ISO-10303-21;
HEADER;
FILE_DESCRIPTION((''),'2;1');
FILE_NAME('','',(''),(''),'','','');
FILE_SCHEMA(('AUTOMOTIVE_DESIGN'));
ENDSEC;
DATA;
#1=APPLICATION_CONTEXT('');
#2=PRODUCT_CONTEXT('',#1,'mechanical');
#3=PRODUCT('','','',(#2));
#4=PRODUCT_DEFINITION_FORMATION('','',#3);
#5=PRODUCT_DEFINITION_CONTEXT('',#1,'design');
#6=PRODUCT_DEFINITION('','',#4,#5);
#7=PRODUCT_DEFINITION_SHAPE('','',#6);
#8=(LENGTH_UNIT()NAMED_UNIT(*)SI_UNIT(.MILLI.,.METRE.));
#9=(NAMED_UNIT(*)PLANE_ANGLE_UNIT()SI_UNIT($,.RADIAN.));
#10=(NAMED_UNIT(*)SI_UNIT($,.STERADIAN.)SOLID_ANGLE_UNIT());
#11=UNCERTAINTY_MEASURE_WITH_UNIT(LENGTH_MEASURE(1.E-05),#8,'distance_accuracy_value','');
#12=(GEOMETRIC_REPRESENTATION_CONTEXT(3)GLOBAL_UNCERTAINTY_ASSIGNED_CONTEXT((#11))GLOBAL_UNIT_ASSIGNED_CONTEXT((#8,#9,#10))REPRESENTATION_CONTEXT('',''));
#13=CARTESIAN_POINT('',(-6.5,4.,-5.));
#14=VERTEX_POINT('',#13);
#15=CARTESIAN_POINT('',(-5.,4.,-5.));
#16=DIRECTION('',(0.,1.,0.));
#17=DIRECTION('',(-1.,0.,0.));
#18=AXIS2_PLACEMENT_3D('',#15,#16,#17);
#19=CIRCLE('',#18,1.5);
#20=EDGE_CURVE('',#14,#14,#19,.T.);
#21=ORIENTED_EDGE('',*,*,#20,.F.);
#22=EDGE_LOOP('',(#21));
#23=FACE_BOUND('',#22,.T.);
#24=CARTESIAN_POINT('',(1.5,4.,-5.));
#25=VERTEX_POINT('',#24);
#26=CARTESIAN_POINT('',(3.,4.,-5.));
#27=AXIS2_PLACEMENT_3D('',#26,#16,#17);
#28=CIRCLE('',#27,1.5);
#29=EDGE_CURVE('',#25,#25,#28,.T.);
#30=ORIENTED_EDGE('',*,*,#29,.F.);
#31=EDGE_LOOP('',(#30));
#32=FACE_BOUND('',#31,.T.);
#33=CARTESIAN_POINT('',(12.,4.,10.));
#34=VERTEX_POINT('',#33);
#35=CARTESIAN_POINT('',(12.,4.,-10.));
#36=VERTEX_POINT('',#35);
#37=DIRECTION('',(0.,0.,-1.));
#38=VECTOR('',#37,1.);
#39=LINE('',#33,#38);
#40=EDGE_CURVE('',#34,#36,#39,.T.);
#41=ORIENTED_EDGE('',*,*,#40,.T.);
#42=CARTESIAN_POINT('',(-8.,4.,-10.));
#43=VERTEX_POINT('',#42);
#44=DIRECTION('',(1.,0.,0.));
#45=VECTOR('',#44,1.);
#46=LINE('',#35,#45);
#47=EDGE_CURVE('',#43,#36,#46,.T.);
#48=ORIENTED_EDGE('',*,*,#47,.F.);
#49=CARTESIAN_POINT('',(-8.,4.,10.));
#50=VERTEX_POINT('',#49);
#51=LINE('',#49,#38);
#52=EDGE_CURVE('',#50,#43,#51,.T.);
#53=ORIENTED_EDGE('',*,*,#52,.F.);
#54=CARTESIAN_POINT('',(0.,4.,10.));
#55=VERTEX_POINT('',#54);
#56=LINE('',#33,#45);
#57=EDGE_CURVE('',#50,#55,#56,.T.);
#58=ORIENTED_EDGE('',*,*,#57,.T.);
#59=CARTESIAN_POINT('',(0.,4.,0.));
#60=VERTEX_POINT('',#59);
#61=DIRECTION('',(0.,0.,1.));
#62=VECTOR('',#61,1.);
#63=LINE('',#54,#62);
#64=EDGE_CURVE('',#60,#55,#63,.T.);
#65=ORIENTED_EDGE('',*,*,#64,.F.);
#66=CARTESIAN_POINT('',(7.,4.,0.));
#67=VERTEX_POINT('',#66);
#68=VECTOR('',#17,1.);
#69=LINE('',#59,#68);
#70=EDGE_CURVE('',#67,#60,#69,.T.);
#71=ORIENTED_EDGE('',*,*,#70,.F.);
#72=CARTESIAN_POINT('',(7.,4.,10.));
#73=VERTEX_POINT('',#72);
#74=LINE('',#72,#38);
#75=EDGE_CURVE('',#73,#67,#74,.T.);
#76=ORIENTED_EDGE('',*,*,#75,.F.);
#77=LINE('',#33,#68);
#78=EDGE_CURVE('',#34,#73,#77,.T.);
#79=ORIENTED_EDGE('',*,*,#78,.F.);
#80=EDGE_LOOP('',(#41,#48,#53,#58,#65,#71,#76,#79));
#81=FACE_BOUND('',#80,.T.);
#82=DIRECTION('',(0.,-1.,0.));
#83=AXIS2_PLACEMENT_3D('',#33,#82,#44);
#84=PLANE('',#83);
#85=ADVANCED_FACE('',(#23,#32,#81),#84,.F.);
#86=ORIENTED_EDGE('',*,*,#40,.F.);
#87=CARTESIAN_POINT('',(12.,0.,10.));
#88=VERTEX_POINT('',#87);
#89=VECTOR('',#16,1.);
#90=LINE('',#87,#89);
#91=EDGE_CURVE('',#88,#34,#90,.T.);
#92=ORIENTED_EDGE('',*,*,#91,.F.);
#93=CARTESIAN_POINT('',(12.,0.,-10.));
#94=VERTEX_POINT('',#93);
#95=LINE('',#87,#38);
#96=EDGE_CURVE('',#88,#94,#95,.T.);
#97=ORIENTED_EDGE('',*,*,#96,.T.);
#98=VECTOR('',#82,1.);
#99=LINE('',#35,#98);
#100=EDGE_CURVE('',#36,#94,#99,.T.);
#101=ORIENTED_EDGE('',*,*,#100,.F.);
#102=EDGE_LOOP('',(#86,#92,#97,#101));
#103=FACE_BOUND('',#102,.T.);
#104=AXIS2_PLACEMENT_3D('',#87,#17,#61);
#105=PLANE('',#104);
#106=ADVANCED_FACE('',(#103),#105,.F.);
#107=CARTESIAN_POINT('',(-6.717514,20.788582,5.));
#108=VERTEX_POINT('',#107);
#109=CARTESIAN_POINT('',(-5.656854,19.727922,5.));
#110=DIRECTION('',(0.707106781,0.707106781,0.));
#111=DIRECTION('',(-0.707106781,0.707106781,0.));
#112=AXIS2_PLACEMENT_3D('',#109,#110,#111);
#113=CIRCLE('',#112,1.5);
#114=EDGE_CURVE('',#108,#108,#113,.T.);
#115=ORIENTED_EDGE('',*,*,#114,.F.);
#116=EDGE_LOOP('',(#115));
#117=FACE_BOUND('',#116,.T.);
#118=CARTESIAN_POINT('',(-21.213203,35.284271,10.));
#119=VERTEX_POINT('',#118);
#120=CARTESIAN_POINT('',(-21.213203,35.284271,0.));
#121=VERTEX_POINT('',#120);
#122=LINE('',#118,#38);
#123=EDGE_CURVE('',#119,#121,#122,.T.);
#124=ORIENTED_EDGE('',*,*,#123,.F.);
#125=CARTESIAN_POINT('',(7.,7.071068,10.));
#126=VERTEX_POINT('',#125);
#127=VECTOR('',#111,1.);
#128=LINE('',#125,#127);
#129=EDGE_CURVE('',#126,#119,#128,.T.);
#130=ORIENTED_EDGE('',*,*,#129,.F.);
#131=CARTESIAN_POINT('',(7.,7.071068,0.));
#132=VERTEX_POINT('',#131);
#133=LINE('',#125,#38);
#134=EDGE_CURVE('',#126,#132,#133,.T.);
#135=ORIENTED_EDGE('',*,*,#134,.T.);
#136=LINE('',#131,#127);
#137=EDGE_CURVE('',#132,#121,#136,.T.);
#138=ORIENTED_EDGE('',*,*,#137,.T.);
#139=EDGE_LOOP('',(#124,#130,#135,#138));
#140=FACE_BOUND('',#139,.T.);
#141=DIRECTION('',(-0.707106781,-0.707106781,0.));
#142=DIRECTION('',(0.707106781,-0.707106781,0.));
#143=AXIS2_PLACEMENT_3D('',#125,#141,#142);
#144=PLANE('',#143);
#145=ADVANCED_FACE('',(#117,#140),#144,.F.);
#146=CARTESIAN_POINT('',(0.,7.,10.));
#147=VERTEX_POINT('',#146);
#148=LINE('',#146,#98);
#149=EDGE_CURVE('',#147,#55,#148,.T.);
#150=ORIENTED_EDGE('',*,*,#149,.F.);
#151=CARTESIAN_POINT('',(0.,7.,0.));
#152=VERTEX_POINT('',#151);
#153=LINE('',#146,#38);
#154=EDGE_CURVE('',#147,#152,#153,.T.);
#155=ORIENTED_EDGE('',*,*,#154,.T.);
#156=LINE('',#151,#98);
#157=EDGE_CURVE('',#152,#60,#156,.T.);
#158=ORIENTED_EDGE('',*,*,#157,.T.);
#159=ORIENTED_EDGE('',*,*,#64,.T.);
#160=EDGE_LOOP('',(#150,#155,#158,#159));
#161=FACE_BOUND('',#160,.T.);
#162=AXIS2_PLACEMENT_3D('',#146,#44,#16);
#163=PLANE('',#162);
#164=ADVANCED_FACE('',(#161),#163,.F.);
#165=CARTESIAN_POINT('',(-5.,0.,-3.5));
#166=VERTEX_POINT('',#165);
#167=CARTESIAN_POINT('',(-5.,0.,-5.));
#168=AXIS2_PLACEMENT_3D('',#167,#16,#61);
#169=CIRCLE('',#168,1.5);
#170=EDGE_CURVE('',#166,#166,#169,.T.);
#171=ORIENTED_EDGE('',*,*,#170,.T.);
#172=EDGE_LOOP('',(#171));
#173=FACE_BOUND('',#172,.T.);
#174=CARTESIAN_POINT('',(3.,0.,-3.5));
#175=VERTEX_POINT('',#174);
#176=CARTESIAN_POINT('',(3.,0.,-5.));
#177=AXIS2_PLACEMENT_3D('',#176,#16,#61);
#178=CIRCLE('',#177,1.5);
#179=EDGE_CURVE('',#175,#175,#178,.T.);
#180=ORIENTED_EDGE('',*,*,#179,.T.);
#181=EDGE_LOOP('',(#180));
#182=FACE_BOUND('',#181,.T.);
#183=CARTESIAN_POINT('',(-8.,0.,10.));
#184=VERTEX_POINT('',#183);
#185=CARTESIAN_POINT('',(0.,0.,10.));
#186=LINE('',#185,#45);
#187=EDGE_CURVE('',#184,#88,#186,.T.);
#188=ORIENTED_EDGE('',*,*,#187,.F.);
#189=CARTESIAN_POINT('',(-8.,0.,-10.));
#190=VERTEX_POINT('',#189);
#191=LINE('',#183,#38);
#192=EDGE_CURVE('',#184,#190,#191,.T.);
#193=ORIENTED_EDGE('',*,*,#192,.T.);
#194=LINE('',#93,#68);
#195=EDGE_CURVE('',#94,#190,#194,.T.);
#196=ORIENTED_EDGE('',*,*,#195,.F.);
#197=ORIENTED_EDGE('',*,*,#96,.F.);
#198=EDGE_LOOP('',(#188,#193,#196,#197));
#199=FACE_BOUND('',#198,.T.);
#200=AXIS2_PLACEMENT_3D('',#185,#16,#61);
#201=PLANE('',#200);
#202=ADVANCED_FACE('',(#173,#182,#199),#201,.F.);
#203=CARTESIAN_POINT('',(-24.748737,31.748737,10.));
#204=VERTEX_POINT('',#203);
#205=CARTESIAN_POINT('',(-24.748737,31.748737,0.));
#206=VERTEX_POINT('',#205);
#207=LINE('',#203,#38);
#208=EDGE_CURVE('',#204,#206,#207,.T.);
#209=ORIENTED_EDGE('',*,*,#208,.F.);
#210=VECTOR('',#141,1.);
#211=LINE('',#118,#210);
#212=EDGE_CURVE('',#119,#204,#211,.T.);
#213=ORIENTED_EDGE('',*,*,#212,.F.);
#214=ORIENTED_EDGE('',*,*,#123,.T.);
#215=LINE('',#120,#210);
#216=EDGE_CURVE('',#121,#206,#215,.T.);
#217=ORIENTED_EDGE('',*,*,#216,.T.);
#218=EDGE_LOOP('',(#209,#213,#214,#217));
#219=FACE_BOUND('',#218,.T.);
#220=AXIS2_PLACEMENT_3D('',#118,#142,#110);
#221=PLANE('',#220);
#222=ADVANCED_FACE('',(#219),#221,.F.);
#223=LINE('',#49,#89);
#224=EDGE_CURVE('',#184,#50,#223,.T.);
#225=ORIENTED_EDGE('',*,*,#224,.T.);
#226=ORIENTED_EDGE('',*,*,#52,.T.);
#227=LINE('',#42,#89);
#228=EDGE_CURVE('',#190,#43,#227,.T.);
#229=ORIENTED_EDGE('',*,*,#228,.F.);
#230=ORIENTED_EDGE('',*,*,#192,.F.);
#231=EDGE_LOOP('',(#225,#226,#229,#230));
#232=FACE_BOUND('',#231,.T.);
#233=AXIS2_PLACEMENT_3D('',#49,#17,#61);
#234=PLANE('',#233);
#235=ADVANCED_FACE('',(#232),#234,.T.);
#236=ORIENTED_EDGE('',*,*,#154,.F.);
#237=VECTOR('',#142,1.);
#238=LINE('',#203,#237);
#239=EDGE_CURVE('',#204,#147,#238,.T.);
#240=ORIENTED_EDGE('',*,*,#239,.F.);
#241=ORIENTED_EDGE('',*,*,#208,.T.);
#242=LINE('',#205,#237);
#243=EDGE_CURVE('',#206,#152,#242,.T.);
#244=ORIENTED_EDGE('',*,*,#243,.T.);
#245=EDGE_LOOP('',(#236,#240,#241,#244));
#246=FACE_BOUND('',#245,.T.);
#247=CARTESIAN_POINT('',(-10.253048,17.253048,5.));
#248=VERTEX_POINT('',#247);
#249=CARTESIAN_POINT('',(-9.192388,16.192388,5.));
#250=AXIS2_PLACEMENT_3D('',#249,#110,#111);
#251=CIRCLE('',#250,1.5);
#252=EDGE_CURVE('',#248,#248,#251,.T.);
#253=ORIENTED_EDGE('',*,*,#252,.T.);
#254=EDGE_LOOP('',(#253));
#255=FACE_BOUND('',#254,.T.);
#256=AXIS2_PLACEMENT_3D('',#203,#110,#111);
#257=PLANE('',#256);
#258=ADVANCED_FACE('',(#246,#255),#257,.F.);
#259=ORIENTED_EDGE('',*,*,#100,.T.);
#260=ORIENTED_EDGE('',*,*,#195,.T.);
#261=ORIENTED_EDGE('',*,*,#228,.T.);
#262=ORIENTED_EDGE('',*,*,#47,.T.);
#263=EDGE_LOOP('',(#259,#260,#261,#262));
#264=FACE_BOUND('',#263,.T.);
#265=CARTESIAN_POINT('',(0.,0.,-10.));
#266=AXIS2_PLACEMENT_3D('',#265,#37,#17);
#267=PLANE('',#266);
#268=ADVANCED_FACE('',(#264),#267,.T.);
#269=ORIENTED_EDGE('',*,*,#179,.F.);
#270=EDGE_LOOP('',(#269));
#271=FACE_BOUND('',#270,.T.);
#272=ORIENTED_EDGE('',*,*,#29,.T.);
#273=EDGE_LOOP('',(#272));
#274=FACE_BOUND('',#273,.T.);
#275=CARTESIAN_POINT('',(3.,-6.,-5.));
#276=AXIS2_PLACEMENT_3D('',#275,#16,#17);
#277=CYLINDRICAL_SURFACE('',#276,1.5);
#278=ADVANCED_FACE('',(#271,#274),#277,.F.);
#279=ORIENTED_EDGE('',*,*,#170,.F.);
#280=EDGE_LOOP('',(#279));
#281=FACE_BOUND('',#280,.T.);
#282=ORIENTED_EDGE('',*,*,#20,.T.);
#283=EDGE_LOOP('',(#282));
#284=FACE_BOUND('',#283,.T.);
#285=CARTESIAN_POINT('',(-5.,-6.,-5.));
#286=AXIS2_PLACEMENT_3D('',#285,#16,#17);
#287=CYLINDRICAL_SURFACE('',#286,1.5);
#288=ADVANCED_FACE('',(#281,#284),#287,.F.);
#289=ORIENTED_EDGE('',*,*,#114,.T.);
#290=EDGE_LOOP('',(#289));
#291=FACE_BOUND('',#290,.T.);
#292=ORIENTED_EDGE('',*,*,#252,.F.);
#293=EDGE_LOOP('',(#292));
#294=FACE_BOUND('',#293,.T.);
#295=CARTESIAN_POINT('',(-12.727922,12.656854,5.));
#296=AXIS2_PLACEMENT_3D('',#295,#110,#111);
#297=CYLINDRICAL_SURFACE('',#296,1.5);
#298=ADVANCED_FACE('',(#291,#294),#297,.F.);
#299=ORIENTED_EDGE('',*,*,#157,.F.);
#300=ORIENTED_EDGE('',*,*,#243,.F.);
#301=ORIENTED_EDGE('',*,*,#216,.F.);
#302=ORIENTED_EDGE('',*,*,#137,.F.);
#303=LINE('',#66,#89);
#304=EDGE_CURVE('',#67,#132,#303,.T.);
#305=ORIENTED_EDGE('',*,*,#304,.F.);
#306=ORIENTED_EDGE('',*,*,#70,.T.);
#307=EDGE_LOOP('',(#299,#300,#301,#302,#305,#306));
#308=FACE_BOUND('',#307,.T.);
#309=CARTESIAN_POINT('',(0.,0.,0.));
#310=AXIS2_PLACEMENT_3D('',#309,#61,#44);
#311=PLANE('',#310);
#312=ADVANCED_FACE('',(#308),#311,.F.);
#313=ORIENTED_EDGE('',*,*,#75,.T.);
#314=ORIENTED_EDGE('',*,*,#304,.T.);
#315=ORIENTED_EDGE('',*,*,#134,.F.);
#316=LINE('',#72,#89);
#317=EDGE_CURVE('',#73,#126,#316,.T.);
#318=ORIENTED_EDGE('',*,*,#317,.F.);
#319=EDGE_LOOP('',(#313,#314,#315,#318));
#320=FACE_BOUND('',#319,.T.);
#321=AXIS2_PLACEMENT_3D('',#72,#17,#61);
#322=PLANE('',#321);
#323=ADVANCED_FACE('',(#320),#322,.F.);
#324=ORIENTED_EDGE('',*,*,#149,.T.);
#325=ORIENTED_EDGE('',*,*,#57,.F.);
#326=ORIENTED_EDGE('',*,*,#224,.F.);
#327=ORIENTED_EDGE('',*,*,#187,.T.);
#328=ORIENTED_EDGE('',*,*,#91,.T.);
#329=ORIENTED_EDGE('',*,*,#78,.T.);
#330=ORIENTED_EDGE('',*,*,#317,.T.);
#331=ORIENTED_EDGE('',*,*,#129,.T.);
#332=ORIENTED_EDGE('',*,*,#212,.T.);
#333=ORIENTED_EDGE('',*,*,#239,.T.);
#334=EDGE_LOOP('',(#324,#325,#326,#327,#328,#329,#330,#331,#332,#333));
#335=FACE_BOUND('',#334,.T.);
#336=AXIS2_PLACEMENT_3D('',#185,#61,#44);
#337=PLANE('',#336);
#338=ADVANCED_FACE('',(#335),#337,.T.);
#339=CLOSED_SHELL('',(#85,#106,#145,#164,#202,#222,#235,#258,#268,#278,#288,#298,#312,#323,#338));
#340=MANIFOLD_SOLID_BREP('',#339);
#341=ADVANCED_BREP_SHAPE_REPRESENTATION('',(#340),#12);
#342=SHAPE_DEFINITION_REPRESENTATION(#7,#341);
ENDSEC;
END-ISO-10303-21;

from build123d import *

# Parameters (mm, degrees)
EXTRUDE_1_DEPTH      = 10
EXTRUDE_2_DEPTH      = 10
EXTRUDE_2_DEPTH_BACK = 10
SKETCH_2_W           = 20
SKETCH_2_H           = 4
SKETCH_3_R           = 1.5
CUT_EXTRUDE_1_DEPTH  = 10
SKETCH_4_R           = 1.5
CUT_EXTRUDE_2_DEPTH  = 10


with BuildPart() as part:
    # 草图1 → 凸台-拉伸1 (new body)
    with BuildSketch(Plane.XY):
        Polygon((0, 0), (12, 0), (12, 4), (7, 4), (7, 7.071067812), (-21.213203436, 35.284271247), (-24.748737342, 31.748737342), (0, 7), align=None)
    extrude(amount=EXTRUDE_1_DEPTH)

    # 草图2 → 凸台-拉伸2 (add, two sides: drawn at the far end of the back side and taken through both)
    with BuildSketch(Plane(origin=(0, 0, 0), x_dir=(-1, 0, 0), z_dir=(0, 0, -1)).offset(-EXTRUDE_2_DEPTH_BACK)):
        with Locations((-2, 2)):
            Rectangle(SKETCH_2_W, SKETCH_2_H)
    extrude(amount=EXTRUDE_2_DEPTH + EXTRUDE_2_DEPTH_BACK)

    # 草图3 → 切除-拉伸1 (cut)
    with BuildSketch(Plane(origin=(7.035533906, 7.035533906, 0), x_dir=(0, 0, -1), z_dir=(0.7071067811865465, 0.7071067811865486, 0))):
        with Locations(Location((-5, 17.949747468, 0), (0, 0, 90))):
            Circle(SKETCH_3_R)
    extrude(amount=-CUT_EXTRUDE_1_DEPTH, mode=Mode.SUBTRACT)

    # 草图4 → 切除-拉伸2 (cut)
    with BuildSketch(Plane(origin=(0, 4, 0), x_dir=(1, 0, 0), z_dir=(0, 1, 0))):
        with Locations(Location((-5, 5, 0), (0, 0, 180))):
            Circle(SKETCH_4_R)
        with Locations(Location((3, 5, 0), (0, 0, 180))):
            Circle(SKETCH_4_R)
    extrude(amount=-CUT_EXTRUDE_2_DEPTH, mode=Mode.SUBTRACT)


solid = part.part
